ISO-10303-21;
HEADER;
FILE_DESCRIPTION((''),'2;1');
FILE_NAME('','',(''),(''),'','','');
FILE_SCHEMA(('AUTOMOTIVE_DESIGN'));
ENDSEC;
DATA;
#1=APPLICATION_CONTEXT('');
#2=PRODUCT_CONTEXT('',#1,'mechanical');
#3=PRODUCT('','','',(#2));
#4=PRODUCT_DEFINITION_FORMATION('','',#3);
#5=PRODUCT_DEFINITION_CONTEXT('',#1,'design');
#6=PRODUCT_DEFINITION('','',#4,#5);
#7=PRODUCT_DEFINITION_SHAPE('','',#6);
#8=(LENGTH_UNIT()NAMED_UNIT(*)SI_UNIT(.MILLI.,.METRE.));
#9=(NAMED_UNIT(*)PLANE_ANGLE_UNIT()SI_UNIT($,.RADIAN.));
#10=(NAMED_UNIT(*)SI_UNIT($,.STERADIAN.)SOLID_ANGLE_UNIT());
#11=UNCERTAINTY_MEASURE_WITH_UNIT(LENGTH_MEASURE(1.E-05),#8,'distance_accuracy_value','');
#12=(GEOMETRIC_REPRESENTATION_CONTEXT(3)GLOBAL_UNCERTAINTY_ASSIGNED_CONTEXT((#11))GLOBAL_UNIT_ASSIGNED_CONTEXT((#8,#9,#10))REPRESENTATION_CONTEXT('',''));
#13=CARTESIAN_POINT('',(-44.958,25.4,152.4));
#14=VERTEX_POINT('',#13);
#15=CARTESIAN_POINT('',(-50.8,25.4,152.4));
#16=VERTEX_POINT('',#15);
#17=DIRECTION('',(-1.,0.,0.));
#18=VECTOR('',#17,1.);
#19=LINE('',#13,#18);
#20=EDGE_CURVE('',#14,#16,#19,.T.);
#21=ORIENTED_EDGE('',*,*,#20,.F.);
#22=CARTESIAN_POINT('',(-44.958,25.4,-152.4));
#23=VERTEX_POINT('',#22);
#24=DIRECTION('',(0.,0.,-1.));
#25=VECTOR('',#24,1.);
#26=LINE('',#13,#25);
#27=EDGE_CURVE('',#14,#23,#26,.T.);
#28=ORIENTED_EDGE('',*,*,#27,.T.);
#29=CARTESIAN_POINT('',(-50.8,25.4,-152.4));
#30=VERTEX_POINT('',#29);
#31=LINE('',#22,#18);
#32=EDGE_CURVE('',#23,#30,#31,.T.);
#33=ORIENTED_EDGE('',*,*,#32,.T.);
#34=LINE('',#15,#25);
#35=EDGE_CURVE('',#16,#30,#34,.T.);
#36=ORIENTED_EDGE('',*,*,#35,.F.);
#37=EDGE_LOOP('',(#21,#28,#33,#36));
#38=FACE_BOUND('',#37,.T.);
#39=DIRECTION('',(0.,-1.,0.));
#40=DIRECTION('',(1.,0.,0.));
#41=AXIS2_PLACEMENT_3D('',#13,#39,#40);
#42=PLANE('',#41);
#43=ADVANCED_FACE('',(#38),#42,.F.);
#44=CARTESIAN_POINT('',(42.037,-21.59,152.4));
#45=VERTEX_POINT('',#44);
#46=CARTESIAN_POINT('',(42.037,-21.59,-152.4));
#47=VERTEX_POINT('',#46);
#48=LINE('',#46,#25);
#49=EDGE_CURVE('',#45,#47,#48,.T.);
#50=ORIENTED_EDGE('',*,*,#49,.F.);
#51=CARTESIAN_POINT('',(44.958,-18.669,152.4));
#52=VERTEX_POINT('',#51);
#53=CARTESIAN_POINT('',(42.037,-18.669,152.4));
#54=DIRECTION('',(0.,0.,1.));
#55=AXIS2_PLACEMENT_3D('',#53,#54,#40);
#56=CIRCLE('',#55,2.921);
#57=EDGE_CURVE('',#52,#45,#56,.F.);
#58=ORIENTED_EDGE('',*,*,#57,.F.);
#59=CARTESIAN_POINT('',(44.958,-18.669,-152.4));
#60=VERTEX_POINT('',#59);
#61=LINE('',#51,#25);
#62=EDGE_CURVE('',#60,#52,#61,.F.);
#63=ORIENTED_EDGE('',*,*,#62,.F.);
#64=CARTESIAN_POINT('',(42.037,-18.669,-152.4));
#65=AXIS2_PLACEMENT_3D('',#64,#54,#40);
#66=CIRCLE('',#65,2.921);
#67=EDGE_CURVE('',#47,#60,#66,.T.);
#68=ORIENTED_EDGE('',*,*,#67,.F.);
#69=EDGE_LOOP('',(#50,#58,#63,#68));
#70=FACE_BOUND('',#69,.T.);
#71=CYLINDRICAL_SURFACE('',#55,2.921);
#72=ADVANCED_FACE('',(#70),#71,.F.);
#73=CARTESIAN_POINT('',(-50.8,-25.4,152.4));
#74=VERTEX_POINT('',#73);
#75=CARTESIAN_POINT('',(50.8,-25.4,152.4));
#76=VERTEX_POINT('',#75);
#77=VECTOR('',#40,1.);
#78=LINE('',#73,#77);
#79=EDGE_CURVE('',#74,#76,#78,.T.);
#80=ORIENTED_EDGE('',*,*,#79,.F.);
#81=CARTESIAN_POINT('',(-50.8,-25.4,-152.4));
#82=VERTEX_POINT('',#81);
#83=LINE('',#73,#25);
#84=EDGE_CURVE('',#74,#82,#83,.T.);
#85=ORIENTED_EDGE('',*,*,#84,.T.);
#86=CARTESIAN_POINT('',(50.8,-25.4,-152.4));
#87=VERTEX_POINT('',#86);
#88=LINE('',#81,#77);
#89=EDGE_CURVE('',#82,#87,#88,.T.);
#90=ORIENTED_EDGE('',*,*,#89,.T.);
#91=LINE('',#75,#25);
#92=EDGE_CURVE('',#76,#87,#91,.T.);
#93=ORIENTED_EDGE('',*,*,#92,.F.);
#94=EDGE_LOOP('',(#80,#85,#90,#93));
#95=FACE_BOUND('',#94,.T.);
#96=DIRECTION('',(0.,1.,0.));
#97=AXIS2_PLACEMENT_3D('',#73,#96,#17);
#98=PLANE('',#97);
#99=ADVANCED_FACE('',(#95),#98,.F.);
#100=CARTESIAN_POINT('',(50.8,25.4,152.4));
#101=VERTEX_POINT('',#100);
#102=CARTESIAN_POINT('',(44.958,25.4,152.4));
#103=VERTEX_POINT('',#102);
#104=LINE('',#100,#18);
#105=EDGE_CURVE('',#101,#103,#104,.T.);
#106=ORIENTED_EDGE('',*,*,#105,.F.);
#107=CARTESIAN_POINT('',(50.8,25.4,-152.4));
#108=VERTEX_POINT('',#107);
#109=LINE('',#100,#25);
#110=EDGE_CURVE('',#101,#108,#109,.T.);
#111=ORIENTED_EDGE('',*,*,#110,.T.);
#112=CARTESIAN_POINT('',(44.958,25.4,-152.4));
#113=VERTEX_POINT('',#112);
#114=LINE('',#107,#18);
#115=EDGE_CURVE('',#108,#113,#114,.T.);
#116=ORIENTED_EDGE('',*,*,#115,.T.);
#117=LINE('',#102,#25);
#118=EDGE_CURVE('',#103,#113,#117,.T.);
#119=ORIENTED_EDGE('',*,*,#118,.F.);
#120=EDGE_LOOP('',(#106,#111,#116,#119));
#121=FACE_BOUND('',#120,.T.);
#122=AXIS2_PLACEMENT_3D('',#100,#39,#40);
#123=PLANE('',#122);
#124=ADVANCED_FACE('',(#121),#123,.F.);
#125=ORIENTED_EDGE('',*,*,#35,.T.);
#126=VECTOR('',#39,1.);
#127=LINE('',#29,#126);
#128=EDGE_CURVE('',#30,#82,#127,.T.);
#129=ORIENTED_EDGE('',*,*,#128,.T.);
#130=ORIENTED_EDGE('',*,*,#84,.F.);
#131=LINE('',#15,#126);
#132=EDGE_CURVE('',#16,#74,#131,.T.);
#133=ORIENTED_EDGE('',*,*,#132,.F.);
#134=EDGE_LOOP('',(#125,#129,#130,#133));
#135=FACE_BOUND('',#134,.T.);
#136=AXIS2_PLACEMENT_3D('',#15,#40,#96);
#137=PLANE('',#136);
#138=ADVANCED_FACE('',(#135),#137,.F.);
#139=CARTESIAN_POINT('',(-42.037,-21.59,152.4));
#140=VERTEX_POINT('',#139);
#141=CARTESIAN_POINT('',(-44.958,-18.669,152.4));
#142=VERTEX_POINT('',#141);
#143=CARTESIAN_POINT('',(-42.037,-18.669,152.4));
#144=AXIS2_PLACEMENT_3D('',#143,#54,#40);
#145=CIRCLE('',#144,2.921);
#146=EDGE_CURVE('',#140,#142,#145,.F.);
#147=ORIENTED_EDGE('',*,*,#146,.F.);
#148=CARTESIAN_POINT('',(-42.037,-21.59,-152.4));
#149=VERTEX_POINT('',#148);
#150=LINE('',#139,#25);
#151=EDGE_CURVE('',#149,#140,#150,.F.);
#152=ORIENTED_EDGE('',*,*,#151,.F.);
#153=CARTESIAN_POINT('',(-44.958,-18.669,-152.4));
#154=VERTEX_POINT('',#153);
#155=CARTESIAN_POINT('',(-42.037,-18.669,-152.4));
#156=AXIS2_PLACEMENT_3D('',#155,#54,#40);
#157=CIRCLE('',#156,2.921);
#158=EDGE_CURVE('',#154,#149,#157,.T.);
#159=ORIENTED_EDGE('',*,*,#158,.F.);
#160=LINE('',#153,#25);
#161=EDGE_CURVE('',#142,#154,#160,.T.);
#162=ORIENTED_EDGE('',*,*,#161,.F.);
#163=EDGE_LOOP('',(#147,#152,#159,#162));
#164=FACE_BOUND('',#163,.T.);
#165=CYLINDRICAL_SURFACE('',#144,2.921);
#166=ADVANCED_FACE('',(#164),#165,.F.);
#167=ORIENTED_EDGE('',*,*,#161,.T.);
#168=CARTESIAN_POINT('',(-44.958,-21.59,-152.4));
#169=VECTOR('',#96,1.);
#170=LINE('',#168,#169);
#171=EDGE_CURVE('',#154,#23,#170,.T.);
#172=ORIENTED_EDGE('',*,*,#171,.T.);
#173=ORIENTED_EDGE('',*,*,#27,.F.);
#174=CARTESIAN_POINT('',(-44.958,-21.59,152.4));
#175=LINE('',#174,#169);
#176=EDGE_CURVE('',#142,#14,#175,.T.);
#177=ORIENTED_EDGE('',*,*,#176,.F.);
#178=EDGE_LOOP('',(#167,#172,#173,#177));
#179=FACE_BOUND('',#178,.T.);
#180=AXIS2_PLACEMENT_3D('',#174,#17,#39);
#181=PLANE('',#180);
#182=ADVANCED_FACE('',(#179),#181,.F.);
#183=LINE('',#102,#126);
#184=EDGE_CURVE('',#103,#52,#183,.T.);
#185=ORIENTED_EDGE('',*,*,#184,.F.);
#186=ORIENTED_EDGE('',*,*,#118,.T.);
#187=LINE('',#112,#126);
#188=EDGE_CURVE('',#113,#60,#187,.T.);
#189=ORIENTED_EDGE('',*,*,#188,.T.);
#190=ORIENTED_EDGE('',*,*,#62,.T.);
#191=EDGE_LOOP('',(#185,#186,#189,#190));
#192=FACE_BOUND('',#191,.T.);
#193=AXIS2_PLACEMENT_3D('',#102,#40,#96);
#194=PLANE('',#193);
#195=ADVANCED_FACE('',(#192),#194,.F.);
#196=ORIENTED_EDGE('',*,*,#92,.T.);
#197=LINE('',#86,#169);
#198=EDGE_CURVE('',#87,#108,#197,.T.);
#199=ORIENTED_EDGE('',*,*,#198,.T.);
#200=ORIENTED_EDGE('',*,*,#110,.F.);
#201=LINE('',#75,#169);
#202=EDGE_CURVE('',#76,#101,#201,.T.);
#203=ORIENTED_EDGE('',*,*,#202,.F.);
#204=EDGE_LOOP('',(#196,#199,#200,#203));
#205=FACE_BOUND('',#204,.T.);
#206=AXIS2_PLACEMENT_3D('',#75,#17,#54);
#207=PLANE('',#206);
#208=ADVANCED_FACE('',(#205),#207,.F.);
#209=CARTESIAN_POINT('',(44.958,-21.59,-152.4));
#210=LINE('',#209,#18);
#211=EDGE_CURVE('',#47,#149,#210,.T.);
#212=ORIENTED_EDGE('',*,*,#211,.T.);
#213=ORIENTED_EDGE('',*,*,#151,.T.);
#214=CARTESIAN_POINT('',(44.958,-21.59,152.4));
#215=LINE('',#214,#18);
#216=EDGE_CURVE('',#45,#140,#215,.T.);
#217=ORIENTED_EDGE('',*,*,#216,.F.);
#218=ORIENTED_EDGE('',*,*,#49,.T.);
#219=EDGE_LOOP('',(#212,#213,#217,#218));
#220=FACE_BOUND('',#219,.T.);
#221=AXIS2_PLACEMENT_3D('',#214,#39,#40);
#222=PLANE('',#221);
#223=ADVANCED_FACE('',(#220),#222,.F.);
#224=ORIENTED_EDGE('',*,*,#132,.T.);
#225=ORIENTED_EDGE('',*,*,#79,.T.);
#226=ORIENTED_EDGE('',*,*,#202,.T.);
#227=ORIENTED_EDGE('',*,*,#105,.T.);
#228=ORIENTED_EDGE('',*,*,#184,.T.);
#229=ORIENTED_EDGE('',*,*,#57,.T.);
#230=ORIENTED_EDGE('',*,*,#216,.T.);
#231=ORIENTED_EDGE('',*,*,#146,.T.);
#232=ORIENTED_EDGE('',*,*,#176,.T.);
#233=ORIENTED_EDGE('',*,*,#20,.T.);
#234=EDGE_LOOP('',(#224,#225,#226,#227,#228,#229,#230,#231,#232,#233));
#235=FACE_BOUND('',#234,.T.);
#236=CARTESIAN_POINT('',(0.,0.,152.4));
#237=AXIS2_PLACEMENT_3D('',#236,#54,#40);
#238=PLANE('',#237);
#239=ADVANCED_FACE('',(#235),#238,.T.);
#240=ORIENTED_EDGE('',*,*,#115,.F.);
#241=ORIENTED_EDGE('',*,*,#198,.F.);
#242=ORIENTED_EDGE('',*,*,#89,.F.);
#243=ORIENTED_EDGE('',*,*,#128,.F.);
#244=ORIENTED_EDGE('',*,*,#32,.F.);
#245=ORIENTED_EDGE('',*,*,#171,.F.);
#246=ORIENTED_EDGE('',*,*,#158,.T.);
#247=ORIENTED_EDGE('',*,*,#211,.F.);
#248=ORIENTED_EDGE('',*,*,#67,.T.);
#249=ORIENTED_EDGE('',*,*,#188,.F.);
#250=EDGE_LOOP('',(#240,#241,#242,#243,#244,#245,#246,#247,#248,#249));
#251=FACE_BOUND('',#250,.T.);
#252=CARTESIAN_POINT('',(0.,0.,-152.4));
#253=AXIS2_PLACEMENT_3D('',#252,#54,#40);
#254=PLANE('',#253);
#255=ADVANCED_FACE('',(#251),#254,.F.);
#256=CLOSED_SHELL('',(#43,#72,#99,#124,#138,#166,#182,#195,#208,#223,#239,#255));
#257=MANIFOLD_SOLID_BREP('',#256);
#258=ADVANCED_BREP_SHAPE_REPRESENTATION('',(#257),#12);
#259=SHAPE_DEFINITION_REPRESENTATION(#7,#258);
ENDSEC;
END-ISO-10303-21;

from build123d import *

# Parameters (mm, degrees)
BOSS_EXTRUDE1_DEPTH = 152.4
FILLET1_R           = 2.921


with BuildPart() as part:
    # Sketch3 → Boss-Extrude1 (new, symmetric)
    with BuildSketch(Plane.XY):
        Polygon((-50.8, 25.4), (-50.8, -25.4), (50.8, -25.4), (50.8, 25.4), (44.958, 25.4), (44.958, -21.59), (-44.958, -21.59), (-44.958, 25.4), align=None)
    extrude(amount=BOSS_EXTRUDE1_DEPTH, both=True)

    # Fillet1
    fillet1_edges = [part.edges().sort_by_distance(p)[0] for p in [
        (-44.958, -21.59, 0),
        (44.958, -21.59, 0),
    ]]
    fillet(fillet1_edges, radius=FILLET1_R)


solid = part.part
